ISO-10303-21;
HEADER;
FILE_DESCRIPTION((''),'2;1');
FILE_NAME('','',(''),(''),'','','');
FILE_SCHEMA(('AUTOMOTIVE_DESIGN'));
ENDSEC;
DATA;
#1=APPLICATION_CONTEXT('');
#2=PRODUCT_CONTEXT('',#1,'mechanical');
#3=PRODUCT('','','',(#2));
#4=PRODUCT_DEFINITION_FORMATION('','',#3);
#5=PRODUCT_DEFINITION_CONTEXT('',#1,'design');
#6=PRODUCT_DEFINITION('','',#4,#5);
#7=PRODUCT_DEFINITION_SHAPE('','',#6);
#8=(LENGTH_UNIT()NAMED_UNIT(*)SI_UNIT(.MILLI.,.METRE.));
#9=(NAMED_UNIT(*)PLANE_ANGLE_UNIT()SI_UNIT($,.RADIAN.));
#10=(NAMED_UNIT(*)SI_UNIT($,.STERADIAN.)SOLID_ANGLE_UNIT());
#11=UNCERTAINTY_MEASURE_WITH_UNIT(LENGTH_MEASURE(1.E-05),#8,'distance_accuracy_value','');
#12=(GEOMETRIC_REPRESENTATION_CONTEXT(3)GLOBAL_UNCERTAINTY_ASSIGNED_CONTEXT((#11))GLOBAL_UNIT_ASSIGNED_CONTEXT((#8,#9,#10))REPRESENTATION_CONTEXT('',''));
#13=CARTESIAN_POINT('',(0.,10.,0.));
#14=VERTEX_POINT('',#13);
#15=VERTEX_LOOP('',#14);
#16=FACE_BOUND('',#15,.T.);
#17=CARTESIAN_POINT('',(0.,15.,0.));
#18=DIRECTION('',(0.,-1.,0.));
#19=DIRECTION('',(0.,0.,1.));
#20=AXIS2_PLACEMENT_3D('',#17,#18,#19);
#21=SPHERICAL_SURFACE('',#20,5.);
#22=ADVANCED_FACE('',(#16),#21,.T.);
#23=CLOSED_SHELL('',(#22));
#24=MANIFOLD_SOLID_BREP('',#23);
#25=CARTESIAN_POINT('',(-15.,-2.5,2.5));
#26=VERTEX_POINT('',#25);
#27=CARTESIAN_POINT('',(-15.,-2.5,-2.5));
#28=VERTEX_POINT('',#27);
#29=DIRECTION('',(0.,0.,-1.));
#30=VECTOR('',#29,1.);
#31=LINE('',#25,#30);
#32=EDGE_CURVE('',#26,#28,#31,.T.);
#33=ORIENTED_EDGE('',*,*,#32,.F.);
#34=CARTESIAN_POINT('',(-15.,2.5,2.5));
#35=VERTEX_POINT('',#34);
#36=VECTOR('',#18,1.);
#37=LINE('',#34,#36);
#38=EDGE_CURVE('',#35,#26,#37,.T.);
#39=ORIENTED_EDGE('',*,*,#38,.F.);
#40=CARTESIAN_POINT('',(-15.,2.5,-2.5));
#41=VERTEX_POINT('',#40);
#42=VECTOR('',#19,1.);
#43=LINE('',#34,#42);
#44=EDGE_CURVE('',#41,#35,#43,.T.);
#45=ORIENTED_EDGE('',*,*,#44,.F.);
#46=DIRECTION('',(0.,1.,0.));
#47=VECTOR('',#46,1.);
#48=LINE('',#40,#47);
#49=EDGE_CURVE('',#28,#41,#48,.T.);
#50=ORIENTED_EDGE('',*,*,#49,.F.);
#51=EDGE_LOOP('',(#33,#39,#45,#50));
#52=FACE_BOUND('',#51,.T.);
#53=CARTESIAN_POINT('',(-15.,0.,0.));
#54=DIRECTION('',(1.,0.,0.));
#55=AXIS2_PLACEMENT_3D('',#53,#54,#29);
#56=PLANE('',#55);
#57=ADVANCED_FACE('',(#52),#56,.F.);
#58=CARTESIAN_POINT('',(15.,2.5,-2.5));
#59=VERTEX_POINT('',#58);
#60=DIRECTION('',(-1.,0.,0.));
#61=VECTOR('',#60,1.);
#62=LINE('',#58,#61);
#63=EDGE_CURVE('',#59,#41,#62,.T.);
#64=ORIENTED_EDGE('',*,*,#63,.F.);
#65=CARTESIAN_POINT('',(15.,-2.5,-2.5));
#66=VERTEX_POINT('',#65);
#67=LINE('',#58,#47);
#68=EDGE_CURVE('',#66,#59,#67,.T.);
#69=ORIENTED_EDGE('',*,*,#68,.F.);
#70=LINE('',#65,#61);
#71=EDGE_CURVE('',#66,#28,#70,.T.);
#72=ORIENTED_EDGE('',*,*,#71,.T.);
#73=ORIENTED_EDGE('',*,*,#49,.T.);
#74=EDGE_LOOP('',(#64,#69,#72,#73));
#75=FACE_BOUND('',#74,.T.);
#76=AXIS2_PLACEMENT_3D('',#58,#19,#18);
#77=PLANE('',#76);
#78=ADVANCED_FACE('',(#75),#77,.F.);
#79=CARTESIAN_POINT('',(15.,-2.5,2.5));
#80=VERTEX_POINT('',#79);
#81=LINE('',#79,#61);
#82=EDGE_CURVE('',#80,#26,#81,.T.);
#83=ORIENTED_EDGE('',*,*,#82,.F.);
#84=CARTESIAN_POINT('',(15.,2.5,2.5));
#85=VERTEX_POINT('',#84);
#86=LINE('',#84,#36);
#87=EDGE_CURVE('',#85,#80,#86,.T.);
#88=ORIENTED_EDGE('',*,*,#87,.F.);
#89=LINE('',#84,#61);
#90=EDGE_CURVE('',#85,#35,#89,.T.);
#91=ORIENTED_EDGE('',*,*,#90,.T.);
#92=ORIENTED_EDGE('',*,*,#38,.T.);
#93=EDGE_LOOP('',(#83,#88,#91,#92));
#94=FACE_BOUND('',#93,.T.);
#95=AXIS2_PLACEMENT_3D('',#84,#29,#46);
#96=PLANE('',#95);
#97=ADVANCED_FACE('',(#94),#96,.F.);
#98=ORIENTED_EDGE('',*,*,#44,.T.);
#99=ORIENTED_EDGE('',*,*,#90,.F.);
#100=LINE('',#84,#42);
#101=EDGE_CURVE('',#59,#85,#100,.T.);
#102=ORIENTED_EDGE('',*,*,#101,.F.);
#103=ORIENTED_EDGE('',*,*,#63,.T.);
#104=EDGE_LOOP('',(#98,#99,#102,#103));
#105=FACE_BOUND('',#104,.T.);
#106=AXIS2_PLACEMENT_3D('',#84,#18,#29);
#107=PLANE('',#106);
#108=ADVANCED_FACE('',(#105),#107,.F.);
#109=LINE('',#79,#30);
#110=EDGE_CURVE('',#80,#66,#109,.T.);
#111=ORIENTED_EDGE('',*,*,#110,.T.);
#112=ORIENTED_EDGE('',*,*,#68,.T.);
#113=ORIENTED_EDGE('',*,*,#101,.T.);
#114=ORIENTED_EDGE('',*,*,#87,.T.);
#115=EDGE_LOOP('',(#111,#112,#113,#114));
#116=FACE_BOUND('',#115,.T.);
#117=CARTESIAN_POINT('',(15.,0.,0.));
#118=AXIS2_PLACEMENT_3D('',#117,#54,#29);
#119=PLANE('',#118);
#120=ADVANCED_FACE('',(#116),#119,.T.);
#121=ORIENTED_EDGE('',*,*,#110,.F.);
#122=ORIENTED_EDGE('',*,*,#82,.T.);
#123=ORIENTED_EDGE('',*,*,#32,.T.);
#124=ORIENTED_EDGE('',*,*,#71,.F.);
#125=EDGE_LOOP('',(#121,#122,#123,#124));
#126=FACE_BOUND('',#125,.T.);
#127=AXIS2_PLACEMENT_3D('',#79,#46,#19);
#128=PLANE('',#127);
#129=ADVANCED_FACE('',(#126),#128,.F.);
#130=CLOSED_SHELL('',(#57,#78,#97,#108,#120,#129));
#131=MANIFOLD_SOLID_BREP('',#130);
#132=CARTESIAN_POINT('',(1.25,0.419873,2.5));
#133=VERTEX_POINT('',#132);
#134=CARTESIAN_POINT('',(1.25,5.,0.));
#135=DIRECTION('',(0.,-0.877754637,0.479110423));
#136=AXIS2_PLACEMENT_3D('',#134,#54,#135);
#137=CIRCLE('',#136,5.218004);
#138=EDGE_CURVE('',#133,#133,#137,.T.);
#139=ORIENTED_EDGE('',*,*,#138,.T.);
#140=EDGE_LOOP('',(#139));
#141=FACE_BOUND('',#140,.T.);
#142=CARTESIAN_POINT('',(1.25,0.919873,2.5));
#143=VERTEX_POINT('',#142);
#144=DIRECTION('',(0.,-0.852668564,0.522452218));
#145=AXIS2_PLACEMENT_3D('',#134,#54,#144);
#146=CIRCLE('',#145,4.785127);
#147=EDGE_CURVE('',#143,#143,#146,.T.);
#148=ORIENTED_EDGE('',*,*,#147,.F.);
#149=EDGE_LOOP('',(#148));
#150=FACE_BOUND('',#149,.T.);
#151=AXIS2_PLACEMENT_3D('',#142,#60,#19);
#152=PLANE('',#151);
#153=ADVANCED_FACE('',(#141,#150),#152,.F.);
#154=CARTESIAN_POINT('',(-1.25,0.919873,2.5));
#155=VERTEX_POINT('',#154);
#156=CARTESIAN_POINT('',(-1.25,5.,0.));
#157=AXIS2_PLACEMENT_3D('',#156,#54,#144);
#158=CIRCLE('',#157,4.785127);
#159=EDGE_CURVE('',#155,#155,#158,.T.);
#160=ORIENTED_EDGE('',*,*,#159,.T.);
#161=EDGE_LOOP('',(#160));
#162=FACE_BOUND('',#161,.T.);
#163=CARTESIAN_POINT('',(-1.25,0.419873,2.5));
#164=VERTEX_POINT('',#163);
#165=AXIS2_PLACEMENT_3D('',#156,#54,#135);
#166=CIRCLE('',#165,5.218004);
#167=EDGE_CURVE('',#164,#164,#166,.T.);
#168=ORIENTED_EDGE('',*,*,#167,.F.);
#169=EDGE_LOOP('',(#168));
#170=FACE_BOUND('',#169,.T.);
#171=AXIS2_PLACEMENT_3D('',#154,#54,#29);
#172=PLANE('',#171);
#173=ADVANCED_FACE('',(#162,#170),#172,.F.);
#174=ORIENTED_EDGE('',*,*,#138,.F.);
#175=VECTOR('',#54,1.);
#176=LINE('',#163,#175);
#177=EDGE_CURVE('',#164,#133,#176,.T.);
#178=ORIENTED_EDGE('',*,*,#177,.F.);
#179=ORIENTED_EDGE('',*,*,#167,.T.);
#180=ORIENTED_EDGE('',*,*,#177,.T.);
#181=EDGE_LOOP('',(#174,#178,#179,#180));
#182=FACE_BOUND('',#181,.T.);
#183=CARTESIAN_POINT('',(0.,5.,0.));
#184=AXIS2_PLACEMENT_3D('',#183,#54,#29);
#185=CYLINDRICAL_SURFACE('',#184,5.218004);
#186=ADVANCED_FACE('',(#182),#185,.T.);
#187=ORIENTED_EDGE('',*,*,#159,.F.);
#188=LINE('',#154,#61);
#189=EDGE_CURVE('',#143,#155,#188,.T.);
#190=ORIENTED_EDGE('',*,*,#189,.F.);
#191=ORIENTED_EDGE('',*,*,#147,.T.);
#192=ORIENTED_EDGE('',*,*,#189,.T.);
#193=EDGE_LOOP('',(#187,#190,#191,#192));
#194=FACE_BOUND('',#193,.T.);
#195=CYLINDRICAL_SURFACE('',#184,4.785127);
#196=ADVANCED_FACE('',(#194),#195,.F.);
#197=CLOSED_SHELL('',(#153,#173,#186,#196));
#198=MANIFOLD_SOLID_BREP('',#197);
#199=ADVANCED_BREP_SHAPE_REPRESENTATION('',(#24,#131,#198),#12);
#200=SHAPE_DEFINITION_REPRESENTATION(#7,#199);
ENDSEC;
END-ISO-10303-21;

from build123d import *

# Parameters (mm, degrees)
SKETCH1_W           = 5
SKETCH1_H           = 5
BOSS_EXTRUDE1_DEPTH = 15
SKETCH5_W           = 2.5
SKETCH5_H           = 0.5


with BuildPart() as part:
    # Sketch1 → Boss-Extrude1 (new, symmetric)
    with BuildSketch(Plane(origin=(0, 0, 0), x_dir=(0, 0, -1), z_dir=(1, 0, 0))):
        Rectangle(SKETCH1_W, SKETCH1_H)
    extrude(amount=BOSS_EXTRUDE1_DEPTH, both=True)


with BuildPart() as body_2:
    # Sketch3 → Revolve1 (revolve)
    with BuildSketch(Plane(origin=(0, 0, 0), x_dir=(0, 0, -1), z_dir=(1, 0, 0))):
        with BuildLine():
            Line((0, 10), (0, 20))
            ThreePointArc((0, 20), (-5, 15), (0, 10))
        make_face()
    revolve(axis=Axis((0, 10, 0), (0, 1, 0)))


with BuildPart() as body_3:
    # Sweep1: sweep along a path in Sketch4
    with BuildLine(Plane(origin=(0, 0, 0), x_dir=(0, 0, -1), z_dir=(1, 0, 0))) as sweep1_path:
        CenterArc((0, 5), 5, 0, 360)
    # Sketch5 → Sweep1 (sweep)
    with BuildSketch(Plane.XY.offset(2.5)):
        with Locations((0, 0.669872981)):
            Rectangle(SKETCH5_W, SKETCH5_H)
    sweep(path=sweep1_path.line)


solid = Compound([part.part, body_2.part, body_3.part])
